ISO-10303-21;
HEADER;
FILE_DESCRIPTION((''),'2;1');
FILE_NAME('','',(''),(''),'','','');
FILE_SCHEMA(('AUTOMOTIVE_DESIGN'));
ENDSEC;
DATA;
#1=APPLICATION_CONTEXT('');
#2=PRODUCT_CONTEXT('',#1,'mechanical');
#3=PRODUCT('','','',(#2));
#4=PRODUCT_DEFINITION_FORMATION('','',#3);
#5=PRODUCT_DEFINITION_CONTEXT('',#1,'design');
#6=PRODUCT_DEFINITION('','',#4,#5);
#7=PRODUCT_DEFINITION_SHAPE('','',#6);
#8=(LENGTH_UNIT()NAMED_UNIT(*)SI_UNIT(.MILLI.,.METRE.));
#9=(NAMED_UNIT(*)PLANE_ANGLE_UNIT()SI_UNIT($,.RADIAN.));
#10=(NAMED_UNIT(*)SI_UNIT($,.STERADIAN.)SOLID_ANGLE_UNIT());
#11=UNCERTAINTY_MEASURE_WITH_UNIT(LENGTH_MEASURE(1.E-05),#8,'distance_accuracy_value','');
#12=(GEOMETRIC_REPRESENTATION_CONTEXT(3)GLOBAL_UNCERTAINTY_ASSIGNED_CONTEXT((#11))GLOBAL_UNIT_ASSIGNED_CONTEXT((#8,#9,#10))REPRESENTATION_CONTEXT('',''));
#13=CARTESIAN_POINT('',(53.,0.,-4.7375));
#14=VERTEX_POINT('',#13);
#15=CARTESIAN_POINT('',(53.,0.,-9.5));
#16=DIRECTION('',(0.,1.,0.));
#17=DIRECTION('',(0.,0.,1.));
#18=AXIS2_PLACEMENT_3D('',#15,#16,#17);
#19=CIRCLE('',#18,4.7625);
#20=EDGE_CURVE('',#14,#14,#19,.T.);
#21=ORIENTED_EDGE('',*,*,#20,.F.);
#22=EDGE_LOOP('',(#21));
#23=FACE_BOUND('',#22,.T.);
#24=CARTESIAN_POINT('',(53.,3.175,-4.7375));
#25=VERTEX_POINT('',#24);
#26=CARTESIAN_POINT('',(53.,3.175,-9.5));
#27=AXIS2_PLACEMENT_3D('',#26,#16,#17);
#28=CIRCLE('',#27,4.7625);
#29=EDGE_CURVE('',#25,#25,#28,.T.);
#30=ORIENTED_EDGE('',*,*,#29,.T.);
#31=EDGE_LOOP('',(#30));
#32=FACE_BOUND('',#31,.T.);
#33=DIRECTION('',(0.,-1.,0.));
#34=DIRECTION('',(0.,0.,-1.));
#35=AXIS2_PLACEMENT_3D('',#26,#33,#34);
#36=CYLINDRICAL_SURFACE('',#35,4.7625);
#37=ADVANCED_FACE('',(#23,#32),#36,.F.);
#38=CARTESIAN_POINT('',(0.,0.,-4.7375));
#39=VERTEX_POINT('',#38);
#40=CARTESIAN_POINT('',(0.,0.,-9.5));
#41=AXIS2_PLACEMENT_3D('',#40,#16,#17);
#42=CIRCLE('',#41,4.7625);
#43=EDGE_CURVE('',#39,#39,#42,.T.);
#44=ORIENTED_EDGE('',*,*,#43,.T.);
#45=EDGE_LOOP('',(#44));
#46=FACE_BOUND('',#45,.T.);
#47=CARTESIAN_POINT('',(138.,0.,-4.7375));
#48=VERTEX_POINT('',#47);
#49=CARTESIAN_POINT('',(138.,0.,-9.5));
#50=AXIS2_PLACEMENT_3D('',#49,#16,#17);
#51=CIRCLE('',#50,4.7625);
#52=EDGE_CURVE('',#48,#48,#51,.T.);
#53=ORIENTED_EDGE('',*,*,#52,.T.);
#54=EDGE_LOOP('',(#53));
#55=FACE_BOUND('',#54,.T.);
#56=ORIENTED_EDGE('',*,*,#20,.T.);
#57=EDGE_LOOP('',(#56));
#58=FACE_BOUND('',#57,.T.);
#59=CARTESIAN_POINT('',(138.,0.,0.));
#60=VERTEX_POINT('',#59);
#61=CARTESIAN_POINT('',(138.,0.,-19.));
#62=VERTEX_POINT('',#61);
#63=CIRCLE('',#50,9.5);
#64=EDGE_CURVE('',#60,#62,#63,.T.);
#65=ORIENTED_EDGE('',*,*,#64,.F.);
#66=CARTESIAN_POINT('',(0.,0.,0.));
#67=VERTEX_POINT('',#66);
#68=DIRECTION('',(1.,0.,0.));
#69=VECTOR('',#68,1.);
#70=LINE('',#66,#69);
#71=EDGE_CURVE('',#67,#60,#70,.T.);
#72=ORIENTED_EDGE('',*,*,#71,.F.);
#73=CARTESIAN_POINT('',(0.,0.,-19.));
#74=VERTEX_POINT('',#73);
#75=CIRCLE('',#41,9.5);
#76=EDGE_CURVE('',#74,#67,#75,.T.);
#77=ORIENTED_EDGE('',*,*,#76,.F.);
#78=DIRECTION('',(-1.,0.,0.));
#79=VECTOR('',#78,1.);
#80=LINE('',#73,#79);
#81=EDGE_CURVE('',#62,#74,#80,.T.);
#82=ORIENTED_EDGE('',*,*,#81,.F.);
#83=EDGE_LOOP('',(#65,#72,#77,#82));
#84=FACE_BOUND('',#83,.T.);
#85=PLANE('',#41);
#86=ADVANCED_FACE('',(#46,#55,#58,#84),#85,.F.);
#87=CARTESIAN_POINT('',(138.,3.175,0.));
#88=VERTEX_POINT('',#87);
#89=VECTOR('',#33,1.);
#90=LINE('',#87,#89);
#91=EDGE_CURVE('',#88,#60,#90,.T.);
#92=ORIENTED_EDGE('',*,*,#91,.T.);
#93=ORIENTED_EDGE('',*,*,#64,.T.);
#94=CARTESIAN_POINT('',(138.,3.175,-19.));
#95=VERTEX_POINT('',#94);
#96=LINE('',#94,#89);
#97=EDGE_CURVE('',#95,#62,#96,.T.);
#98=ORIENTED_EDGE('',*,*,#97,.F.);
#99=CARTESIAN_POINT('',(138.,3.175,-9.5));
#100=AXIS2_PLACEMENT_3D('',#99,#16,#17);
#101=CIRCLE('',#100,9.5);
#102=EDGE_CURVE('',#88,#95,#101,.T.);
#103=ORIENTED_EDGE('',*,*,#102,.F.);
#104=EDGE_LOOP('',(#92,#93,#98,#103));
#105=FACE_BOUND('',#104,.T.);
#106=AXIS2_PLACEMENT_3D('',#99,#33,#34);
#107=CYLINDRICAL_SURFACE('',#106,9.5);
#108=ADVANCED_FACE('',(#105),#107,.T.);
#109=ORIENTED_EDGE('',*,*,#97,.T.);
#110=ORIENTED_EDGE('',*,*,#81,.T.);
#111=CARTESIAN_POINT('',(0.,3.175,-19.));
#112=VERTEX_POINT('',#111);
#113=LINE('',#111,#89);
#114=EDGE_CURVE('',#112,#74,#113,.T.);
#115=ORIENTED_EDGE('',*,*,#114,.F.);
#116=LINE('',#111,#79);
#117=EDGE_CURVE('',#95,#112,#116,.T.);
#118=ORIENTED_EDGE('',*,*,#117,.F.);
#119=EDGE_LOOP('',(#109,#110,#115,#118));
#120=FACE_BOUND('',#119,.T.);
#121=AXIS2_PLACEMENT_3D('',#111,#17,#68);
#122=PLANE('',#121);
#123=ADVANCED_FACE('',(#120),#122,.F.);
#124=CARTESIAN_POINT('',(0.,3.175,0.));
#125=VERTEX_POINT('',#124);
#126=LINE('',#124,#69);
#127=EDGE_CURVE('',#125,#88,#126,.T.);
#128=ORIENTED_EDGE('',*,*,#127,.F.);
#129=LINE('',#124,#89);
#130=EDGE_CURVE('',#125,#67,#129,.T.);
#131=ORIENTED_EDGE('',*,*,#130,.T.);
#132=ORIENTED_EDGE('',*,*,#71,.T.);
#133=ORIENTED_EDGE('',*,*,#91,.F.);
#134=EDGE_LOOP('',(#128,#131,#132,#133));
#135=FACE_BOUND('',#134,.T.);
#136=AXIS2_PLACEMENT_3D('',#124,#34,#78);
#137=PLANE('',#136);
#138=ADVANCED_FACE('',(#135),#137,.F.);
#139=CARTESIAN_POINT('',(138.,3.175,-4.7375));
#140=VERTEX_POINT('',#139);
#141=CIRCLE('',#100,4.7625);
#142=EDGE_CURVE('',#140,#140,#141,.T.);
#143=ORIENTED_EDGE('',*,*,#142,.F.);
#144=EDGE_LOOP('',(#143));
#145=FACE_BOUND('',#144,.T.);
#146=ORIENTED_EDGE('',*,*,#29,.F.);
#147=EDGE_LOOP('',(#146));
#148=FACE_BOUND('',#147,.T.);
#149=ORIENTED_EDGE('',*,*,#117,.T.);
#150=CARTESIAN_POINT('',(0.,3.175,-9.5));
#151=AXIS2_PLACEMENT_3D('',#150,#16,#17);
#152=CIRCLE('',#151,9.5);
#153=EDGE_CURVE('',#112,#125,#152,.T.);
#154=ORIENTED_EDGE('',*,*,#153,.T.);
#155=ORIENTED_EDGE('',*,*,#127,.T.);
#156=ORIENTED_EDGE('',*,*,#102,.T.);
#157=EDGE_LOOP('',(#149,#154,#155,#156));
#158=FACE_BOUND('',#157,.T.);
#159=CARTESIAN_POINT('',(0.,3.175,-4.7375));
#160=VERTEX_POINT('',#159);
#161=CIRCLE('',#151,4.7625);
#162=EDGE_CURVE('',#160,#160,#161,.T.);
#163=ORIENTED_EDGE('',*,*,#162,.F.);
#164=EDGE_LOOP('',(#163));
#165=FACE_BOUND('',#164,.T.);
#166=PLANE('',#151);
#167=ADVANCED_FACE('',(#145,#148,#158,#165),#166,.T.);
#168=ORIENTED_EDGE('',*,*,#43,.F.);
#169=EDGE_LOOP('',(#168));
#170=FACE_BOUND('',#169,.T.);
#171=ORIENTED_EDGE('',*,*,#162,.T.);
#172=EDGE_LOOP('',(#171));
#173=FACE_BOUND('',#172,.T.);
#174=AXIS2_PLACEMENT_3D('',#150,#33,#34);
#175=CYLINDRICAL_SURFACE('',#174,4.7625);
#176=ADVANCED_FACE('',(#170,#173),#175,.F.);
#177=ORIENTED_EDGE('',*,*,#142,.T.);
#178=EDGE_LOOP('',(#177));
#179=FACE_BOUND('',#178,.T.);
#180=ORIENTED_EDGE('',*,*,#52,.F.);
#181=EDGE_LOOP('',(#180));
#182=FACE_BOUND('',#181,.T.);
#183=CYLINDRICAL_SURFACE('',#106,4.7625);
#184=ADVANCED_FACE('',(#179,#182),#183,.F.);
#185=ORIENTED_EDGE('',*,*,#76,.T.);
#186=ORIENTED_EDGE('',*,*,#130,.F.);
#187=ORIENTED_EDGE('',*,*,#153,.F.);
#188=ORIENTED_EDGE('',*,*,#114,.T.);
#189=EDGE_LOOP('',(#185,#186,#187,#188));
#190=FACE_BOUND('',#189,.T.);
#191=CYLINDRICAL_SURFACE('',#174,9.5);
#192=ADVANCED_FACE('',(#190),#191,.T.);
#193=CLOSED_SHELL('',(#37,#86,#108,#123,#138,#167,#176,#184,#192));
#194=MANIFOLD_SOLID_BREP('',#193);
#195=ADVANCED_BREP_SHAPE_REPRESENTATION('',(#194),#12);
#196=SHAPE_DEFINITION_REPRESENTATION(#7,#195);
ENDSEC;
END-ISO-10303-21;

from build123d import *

# Parameters (mm, degrees)
SKETCH1_R           = 4.7625
BOSS_EXTRUDE1_DEPTH = 3.175


with BuildPart() as part:
    # Sketch1 → Boss-Extrude1 (new body)
    with BuildSketch(Plane(origin=(0, 0, 0), x_dir=(1, 0, 0), z_dir=(0, 1, 0))):
        with BuildLine():
            Line((0, 0), (138, 0))
            ThreePointArc((138, 0), (147.5, 9.5), (138, 19))
            Line((138, 19), (0, 19))
            ThreePointArc((0, 19), (-9.5, 9.5), (0, 0))
        make_face()
        with Locations(Location((0, 9.5, 0), (0, 0, 270))):
            Circle(SKETCH1_R, mode=Mode.SUBTRACT)
        with Locations(Location((138, 9.5, 0), (0, 0, 270))):
            Circle(SKETCH1_R, mode=Mode.SUBTRACT)
        with Locations(Location((53, 9.5, 0), (0, 0, 270))):
            Circle(SKETCH1_R, mode=Mode.SUBTRACT)
    extrude(amount=BOSS_EXTRUDE1_DEPTH)


solid = part.part
